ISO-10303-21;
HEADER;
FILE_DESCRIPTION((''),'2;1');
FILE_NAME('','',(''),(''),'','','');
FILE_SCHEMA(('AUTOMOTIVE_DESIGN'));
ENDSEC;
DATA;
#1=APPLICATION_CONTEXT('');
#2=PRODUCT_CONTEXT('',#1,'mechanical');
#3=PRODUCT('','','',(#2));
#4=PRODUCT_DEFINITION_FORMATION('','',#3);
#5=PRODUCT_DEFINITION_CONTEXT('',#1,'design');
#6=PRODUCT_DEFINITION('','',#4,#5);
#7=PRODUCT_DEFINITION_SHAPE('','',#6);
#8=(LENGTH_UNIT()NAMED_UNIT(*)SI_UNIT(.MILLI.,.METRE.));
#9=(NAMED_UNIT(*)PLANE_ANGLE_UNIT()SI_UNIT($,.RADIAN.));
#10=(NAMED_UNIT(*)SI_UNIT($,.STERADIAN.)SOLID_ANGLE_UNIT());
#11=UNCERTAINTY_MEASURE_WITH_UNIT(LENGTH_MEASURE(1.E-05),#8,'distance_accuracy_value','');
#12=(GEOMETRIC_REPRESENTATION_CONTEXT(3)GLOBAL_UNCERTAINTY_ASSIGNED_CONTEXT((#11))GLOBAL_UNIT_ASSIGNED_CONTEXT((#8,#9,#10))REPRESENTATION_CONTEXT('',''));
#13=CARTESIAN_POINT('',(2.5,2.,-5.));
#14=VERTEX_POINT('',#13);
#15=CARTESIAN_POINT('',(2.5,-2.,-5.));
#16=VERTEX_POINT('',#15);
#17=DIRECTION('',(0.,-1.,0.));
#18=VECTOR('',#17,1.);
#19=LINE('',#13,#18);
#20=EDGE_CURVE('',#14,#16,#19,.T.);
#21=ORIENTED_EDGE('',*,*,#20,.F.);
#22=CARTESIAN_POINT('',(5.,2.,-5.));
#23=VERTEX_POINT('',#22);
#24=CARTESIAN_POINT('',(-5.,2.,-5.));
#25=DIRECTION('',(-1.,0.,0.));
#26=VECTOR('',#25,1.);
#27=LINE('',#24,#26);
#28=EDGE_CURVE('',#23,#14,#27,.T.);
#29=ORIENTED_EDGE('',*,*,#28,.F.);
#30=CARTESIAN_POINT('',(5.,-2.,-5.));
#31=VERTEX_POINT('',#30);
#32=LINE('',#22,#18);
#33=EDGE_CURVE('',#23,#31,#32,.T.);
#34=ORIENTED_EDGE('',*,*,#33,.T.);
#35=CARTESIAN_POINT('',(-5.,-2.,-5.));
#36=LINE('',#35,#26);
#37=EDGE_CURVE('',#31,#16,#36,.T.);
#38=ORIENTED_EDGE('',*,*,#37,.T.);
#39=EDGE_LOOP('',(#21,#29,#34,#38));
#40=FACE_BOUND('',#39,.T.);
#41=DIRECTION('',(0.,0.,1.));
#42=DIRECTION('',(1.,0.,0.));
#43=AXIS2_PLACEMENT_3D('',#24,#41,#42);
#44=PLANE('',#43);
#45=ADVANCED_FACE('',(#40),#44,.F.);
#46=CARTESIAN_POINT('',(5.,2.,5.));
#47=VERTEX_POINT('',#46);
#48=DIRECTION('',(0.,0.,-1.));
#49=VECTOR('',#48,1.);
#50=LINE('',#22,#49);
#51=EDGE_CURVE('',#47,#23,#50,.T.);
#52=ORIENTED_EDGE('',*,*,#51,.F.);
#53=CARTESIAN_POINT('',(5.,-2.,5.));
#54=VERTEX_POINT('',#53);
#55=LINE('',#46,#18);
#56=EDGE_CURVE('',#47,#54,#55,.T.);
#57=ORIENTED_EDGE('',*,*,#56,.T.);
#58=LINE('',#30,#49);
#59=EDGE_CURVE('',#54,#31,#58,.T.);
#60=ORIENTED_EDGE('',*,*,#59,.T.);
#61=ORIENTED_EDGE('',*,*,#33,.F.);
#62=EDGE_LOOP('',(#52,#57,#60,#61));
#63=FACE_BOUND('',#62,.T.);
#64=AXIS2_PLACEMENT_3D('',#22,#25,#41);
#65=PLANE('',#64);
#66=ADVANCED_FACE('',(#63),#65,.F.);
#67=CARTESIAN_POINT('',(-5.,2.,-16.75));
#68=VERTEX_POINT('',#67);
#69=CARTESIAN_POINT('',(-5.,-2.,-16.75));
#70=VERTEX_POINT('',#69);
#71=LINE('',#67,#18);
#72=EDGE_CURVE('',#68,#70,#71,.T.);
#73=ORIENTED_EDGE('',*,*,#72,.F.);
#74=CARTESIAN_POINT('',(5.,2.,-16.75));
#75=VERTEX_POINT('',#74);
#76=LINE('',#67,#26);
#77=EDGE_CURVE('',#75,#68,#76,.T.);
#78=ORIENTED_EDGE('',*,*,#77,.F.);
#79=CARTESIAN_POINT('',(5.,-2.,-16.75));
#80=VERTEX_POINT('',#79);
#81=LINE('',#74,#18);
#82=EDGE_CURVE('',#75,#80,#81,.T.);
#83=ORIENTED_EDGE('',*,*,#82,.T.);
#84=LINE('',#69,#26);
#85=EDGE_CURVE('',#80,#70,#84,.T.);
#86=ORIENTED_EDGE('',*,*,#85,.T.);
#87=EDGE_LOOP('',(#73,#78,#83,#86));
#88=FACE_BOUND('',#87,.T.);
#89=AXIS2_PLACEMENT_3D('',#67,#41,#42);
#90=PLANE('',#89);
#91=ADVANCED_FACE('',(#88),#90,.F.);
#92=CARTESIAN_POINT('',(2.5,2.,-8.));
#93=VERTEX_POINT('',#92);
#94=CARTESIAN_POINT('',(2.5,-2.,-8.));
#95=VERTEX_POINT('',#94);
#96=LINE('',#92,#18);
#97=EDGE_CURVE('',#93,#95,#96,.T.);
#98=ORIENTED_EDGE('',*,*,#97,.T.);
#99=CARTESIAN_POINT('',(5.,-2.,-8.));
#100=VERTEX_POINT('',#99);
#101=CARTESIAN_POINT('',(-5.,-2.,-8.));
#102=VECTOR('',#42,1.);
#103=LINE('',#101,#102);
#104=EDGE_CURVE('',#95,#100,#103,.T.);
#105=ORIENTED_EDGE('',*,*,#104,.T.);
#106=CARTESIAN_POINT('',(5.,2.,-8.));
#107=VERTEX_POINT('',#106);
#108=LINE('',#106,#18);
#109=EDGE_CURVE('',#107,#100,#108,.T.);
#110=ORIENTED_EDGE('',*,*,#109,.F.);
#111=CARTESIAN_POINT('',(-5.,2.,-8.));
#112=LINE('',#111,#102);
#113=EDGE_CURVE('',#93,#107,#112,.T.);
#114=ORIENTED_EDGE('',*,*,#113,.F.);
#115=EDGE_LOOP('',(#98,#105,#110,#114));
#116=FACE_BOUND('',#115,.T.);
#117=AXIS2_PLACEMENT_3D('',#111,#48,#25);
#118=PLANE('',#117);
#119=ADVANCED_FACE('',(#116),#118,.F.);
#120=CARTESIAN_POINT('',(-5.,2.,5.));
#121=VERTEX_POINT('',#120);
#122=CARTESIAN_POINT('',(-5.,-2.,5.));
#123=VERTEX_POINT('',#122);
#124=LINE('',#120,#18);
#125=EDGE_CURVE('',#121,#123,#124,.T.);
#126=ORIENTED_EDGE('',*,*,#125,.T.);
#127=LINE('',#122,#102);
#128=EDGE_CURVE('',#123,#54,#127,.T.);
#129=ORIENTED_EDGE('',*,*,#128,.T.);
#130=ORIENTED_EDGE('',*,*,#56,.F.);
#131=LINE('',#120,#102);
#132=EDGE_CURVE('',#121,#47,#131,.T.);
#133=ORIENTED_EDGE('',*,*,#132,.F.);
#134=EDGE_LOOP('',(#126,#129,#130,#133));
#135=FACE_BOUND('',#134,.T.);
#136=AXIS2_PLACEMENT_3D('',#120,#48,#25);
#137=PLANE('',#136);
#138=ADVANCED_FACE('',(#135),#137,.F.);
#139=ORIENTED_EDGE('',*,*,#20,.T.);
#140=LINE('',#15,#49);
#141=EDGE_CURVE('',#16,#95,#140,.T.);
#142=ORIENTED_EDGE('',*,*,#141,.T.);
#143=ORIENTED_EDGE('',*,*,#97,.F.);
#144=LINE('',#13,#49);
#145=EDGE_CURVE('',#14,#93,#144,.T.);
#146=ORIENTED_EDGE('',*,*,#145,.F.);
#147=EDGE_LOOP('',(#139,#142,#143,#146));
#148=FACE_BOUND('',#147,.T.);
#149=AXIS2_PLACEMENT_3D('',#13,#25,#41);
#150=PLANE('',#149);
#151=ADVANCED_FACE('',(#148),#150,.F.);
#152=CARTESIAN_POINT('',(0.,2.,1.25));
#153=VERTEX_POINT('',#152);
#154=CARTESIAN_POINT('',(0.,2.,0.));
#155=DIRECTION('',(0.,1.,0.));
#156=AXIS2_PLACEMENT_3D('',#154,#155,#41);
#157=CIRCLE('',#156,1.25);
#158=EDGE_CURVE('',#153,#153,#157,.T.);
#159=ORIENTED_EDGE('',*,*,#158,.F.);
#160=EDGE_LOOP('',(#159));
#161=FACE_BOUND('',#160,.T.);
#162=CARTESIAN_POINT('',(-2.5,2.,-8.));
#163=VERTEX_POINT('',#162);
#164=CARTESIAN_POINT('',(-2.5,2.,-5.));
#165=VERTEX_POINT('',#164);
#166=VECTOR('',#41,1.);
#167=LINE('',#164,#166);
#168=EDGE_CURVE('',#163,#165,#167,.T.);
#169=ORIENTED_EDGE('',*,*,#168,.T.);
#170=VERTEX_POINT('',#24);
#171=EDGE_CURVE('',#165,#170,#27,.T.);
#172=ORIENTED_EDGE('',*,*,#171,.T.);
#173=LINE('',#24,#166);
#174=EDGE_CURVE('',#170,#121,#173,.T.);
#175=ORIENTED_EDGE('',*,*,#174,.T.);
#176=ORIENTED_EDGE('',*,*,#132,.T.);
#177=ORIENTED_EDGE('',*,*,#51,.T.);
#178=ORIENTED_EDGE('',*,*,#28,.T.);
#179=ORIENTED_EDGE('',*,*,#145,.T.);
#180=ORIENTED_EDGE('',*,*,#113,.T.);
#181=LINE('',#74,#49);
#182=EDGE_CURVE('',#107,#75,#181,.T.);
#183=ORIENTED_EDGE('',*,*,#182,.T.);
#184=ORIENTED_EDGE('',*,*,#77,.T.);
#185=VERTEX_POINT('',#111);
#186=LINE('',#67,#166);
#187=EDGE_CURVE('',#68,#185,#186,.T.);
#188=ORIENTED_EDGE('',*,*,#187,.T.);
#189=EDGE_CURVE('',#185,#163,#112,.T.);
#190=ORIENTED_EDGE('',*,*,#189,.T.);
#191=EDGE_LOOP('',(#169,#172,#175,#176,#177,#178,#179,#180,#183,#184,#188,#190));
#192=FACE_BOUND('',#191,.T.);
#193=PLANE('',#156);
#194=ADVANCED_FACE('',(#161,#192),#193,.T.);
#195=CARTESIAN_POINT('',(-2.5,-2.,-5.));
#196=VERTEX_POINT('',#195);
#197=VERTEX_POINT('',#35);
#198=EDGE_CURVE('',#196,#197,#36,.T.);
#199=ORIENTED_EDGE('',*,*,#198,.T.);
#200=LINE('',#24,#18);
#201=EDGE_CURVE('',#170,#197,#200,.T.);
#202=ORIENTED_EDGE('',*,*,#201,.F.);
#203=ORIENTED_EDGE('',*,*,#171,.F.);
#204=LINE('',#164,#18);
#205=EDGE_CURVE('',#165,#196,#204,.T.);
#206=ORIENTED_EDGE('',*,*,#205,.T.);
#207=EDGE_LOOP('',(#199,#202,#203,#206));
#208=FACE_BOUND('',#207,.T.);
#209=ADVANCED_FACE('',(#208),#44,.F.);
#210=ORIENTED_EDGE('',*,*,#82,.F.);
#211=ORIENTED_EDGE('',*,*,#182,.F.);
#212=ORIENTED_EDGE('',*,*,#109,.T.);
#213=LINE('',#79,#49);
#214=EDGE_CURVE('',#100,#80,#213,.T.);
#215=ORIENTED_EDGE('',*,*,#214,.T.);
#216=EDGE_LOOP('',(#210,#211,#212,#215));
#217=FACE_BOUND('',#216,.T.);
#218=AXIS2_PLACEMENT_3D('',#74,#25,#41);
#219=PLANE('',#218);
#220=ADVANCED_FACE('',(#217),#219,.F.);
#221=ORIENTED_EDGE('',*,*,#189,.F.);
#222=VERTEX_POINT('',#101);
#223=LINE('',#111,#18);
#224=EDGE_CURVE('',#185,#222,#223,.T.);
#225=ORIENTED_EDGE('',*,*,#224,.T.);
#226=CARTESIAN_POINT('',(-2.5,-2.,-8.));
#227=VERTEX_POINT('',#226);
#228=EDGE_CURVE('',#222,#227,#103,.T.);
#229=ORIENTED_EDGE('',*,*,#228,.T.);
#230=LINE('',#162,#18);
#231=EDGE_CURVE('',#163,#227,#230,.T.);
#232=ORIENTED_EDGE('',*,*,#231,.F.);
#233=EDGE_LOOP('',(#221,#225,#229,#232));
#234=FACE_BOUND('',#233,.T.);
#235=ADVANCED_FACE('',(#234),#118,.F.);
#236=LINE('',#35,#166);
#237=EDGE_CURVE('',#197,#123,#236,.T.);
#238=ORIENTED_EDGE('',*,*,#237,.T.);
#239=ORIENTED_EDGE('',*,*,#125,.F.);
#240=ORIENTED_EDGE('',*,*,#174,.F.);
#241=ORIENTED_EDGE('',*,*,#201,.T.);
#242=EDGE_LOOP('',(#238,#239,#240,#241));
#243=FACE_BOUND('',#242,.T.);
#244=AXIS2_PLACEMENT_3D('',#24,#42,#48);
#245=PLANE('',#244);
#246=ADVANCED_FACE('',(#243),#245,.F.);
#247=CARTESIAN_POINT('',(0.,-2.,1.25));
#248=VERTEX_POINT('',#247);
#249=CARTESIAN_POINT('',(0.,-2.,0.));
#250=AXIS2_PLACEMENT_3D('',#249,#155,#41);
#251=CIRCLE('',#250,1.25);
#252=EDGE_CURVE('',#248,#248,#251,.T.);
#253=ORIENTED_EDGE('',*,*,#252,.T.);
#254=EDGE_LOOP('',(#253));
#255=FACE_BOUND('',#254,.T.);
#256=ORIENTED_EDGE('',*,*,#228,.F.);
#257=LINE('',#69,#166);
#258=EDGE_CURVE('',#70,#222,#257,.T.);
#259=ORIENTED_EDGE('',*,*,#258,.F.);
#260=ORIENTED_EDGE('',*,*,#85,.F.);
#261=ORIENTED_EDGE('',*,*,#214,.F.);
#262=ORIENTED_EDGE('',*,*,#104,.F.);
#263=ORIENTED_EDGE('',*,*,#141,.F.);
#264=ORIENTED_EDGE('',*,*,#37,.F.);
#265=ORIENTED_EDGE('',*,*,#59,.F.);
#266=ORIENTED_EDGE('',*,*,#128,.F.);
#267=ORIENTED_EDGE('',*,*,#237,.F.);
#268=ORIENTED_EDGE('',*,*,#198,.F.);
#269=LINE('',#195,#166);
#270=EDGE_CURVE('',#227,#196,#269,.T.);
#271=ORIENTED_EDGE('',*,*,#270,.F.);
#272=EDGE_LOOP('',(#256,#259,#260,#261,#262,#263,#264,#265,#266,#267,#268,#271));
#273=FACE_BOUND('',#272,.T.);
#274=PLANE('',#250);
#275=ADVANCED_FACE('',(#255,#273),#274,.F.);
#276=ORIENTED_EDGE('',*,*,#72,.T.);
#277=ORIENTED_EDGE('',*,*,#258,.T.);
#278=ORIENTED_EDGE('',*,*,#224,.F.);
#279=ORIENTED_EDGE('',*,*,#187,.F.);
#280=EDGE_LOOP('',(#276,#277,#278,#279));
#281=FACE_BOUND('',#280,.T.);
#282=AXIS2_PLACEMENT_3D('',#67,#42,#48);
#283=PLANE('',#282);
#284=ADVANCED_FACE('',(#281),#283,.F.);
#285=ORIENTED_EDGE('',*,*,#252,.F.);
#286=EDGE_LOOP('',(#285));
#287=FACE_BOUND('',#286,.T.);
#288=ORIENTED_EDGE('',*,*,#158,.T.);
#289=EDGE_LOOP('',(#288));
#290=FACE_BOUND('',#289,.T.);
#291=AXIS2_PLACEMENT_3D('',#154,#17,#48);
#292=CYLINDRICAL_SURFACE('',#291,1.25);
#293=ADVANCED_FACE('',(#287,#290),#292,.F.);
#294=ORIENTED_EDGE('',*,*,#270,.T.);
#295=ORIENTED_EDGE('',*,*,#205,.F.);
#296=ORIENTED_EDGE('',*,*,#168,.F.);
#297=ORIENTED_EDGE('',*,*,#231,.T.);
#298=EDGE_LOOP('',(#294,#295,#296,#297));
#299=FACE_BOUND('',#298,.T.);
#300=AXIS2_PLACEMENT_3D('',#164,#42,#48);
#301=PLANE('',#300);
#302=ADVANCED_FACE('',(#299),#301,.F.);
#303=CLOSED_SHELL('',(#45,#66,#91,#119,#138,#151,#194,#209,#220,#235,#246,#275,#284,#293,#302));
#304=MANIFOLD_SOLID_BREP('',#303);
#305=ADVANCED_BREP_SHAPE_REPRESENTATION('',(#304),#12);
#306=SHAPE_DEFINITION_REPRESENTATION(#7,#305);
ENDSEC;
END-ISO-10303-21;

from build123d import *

# Parameters (mm, degrees)
SKETCH1_W           = 10
SKETCH1_H           = 10
SKETCH1_R           = 1.25
BOSS_EXTRUDE1_DEPTH = 2
SKETCH2_W           = 5
SKETCH2_H           = 3
BOSS_EXTRUDE2_DEPTH = 2
SKETCH3_W           = 10
SKETCH3_H           = 8.75
BOSS_EXTRUDE3_DEPTH = 2


with BuildPart() as part:
    # Sketch1 → Boss-Extrude1 (new, symmetric)
    with BuildSketch(Plane(origin=(0, 0, 0), x_dir=(1, 0, 0), z_dir=(0, 1, 0))):
        Rectangle(SKETCH1_W, SKETCH1_H)
        with Locations(Location((0, 0, 0), (0, 0, 270))):
            Circle(SKETCH1_R, mode=Mode.SUBTRACT)
    extrude(amount=BOSS_EXTRUDE1_DEPTH, both=True)

    # Sketch2 → Boss-Extrude2 (add, symmetric)
    with BuildSketch(Plane(origin=(0, 0, 0), x_dir=(1, 0, 0), z_dir=(0, 1, 0))):
        with Locations((0, 6.5)):
            Rectangle(SKETCH2_W, SKETCH2_H)
    extrude(amount=BOSS_EXTRUDE2_DEPTH, both=True)

    # Sketch3 → Boss-Extrude3 (add, symmetric)
    with BuildSketch(Plane(origin=(0, 0, 0), x_dir=(1, 0, 0), z_dir=(0, 1, 0))):
        with Locations((0, 12.375)):
            Rectangle(SKETCH3_W, SKETCH3_H)
    extrude(amount=BOSS_EXTRUDE3_DEPTH, both=True)


solid = part.part
